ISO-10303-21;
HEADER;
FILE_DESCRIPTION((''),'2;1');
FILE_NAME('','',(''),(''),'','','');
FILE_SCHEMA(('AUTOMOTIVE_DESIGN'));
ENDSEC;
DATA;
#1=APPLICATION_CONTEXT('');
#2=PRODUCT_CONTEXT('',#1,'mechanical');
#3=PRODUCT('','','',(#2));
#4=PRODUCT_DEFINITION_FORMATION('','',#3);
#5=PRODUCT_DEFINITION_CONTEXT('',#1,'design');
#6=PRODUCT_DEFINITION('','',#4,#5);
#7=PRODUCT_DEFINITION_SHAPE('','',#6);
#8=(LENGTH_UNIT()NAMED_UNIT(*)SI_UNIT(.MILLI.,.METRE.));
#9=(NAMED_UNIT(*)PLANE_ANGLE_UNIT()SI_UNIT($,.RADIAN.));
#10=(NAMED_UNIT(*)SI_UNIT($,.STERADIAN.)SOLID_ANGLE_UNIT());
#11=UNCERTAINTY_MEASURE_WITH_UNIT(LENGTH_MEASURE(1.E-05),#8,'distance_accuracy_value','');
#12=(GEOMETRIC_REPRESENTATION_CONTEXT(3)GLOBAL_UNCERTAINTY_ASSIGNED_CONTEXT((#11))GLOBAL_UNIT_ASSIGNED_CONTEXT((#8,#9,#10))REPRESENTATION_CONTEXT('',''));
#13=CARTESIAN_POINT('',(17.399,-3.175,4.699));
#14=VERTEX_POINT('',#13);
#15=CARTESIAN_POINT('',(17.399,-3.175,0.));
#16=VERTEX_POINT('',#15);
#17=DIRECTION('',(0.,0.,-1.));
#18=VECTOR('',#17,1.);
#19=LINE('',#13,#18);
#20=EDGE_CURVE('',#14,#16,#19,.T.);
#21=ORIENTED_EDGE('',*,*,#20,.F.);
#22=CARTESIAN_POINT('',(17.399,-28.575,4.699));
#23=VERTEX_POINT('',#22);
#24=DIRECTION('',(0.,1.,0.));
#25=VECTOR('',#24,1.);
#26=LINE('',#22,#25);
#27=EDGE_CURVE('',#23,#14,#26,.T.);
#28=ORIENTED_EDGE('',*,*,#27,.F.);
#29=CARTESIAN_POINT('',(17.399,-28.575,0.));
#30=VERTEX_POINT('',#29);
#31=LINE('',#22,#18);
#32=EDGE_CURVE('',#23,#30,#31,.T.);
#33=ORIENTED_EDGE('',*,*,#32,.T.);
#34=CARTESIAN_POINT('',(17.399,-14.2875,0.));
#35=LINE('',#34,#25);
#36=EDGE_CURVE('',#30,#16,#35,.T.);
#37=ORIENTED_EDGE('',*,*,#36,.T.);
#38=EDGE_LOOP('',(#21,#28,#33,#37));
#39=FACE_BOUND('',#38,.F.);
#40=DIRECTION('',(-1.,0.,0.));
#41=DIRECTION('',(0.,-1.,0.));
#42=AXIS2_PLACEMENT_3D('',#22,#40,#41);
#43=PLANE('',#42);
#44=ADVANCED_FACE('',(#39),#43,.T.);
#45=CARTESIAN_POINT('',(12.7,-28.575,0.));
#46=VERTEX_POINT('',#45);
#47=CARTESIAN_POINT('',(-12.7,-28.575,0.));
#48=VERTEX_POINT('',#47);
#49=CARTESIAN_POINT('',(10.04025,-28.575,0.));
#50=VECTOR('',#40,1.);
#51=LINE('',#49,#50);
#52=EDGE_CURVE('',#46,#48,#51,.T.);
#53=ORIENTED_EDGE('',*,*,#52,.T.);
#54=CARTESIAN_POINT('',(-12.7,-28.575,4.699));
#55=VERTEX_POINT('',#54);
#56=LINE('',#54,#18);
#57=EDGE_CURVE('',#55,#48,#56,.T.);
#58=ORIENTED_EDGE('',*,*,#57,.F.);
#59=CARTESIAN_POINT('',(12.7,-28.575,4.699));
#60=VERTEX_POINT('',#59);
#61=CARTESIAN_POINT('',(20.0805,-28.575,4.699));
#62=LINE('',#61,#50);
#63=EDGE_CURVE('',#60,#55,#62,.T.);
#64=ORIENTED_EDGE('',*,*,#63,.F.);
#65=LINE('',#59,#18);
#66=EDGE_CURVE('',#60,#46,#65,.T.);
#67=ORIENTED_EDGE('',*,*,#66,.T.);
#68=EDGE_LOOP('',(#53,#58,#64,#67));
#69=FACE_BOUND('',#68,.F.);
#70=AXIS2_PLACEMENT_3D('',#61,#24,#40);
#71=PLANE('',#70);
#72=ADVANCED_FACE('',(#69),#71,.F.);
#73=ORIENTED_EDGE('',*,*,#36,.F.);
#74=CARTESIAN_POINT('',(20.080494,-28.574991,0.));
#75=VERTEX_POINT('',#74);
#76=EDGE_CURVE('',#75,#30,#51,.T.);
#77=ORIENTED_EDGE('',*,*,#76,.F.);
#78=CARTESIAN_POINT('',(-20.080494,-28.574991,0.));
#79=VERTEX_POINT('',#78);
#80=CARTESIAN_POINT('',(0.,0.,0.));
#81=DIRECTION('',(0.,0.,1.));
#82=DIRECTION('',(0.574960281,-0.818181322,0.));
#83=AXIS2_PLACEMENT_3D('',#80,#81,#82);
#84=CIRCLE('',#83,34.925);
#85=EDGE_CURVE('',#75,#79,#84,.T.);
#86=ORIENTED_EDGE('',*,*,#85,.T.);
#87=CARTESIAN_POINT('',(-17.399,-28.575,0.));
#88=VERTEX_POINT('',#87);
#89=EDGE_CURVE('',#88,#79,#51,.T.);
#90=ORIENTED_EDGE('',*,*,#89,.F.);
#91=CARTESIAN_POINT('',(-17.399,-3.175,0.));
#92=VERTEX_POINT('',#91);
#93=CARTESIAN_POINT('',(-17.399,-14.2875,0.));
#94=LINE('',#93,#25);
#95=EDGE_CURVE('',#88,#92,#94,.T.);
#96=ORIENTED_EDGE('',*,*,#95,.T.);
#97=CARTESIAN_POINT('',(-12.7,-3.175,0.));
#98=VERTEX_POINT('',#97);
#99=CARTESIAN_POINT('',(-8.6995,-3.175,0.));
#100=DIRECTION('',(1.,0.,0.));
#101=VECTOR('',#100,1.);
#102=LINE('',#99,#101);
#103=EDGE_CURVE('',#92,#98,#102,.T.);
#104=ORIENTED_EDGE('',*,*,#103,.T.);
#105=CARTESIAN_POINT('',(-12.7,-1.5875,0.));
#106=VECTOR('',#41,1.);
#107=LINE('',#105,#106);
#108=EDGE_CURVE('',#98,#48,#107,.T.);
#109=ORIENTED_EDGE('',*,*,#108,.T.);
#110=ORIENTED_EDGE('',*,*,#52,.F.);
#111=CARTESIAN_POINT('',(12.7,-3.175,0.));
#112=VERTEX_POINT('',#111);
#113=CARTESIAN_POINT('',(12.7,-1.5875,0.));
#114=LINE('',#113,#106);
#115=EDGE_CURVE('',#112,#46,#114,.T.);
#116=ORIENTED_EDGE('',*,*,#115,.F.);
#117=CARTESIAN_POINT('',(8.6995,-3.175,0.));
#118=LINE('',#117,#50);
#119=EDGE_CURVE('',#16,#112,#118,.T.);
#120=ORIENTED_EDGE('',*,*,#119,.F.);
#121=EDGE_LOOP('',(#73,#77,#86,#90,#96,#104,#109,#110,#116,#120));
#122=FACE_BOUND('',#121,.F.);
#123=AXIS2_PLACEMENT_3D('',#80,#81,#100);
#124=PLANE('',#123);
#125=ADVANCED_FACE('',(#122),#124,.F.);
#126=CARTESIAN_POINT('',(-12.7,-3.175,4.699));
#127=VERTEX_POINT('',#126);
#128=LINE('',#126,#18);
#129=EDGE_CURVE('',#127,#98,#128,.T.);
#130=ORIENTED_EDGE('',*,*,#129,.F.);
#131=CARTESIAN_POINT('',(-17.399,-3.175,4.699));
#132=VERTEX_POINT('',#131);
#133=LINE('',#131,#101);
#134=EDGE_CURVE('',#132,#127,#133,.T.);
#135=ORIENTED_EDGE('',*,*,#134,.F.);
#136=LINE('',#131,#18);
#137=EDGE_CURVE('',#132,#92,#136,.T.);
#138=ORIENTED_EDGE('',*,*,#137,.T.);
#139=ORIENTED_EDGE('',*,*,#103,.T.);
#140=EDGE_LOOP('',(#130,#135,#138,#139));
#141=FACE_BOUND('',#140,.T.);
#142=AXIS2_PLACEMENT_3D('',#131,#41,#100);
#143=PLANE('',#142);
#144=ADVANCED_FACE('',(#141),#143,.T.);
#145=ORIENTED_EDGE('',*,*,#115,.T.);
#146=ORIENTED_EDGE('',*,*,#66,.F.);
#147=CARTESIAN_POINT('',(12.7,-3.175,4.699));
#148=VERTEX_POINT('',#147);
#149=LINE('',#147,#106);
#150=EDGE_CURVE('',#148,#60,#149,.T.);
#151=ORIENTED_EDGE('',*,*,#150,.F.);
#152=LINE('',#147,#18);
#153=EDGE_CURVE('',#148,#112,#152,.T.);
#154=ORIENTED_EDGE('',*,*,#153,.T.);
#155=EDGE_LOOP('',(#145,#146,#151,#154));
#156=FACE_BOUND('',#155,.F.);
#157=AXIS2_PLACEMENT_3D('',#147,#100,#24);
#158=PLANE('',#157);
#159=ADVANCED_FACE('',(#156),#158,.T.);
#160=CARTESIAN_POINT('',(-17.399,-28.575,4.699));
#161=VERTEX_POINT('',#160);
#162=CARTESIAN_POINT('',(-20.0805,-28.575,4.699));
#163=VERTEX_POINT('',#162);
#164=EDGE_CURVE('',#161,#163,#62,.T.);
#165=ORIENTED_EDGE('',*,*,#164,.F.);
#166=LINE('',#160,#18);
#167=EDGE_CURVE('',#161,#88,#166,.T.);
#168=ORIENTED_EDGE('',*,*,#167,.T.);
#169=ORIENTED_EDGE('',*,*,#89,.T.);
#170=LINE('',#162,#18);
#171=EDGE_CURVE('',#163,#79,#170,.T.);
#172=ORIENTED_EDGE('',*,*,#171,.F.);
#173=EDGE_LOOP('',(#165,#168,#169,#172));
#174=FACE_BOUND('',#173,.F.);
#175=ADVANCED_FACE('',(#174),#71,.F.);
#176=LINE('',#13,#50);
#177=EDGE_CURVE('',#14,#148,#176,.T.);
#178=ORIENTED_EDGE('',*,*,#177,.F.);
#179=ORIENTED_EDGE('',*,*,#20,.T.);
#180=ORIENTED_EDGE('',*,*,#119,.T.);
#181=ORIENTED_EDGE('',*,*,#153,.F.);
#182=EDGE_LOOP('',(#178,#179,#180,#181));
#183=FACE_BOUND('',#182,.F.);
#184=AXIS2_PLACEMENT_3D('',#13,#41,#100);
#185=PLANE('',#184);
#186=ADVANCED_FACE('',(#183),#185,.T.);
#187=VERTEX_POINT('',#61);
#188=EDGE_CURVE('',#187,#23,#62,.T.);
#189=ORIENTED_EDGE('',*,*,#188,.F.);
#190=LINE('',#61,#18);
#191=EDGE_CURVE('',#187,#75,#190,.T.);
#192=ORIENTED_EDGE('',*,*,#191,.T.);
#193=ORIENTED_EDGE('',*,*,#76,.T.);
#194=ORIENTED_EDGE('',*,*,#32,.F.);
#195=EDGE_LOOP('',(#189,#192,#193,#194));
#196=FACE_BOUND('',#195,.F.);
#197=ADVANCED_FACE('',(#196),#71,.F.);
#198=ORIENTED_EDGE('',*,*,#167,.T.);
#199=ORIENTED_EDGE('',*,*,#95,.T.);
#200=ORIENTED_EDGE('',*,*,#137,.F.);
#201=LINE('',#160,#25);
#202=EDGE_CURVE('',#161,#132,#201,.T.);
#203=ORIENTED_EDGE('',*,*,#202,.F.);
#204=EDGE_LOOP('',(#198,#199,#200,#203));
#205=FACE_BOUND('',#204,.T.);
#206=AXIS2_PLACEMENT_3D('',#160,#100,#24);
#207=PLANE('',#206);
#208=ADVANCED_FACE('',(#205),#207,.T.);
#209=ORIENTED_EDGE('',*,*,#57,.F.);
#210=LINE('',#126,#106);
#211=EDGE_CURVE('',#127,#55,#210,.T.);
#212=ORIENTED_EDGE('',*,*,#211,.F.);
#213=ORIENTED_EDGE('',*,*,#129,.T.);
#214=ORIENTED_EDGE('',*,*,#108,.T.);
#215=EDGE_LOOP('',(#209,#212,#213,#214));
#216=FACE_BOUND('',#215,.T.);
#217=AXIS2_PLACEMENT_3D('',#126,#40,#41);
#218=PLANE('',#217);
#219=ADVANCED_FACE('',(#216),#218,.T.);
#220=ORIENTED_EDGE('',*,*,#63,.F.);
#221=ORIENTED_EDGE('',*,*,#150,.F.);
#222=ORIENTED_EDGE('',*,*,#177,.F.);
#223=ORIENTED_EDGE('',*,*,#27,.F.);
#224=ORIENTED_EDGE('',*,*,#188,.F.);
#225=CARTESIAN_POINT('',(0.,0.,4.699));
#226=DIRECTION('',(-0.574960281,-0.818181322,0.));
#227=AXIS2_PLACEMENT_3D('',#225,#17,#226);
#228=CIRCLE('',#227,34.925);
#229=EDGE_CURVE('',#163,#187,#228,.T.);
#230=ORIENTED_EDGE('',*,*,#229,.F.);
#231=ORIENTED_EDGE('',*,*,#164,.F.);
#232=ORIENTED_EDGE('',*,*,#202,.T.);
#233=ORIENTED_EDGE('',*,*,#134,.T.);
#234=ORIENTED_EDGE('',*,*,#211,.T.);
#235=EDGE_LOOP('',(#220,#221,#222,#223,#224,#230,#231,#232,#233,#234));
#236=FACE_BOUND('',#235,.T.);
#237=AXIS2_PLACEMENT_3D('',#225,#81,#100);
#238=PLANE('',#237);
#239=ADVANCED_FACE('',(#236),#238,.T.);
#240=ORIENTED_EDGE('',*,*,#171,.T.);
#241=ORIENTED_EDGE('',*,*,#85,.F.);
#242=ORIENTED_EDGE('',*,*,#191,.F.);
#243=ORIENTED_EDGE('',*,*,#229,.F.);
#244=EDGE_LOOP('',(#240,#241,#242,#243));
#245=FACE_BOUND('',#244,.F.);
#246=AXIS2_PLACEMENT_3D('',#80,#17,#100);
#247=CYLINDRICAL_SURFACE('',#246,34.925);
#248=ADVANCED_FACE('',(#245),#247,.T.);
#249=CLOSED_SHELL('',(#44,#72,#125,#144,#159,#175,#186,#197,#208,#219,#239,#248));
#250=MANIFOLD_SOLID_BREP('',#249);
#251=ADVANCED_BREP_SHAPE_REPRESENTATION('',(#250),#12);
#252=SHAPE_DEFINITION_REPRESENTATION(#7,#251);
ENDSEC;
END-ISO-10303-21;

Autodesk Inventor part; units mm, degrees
ref_plane "YZ Plane" through (0, 0, 0) normal (1, 0, 0) x (0, 1, 0)
ref_plane "XZ Plane" through (0, 0, 0) normal (0, 1, 0) x (-1, 0, 0)
ref_plane "XY Plane" through (0, 0, 0) normal (0, 0, 1) x (1, 0, 0)
sketch "Sketch1" plane through (0, 0, 0) normal (0, 0, 1) x (1, 0, 0)
  circle A0 centre (0, 0) radius 34.925
  dimension "d0" = 69.85
extrude "Extrusion1" add sketch "Sketch1" along normal blind 4.699
sketch "Sketch2" plane through (0, 0, 4.699) normal (0, 0, 1) x (1, 0, 0)
  circle A0 centre (0, 0) radius 34.925 projected
  line L0 (-69.2676, -34.925) -> (88.3759, -34.925) construction
  circle A1 centre (0, 0) radius 34.925 projected
  circle A2 centre (0, 0) radius 34.925 projected
  line L1 (-20.0805, -34.925) -> (20.0805, -34.925)
  line L2 (20.0805, -34.925) -> (20.0805, -28.575)
  line L3 (20.0805, -28.575) -> (-20.0805, -28.575)
  line L4 (-20.0805, -28.575) -> (-20.0805, -34.925)
  dimension "d3" = 6.35
extrude "Extrusion2" cut sketch "Sketch2" against normal through all contours L3 A0 | A0 L1 L4 | L2 L1 A0 picked at (-4.6231, -29.7344)
sketch "Sketch3" plane through (0, 0, 4.699) normal (0, 0, 1) x (1, 0, 0)
  line L0 (-17.399, -3.175) -> (-12.7, -3.175) projected
  line L1 (-20.0805, -28.575) -> (20.0805, -28.575) projected
  line L2 (-17.399, -3.175) -> (-12.7, -3.175)
  line L3 (-12.7, -3.175) -> (-12.7, -28.575)
  line L4 (-12.7, -28.575) -> (-17.399, -28.575)
  line L5 (-17.399, -28.575) -> (-17.399, -3.175)
  point P0 (0, 0)
extrude "Extrusion3" cut sketch "Sketch3" against normal through all
mirror "Mirror1" about plane through (0, 0, 0) normal (1, 0, 0) of "Extrusion3"
properties part number "MiddlePiece3"
